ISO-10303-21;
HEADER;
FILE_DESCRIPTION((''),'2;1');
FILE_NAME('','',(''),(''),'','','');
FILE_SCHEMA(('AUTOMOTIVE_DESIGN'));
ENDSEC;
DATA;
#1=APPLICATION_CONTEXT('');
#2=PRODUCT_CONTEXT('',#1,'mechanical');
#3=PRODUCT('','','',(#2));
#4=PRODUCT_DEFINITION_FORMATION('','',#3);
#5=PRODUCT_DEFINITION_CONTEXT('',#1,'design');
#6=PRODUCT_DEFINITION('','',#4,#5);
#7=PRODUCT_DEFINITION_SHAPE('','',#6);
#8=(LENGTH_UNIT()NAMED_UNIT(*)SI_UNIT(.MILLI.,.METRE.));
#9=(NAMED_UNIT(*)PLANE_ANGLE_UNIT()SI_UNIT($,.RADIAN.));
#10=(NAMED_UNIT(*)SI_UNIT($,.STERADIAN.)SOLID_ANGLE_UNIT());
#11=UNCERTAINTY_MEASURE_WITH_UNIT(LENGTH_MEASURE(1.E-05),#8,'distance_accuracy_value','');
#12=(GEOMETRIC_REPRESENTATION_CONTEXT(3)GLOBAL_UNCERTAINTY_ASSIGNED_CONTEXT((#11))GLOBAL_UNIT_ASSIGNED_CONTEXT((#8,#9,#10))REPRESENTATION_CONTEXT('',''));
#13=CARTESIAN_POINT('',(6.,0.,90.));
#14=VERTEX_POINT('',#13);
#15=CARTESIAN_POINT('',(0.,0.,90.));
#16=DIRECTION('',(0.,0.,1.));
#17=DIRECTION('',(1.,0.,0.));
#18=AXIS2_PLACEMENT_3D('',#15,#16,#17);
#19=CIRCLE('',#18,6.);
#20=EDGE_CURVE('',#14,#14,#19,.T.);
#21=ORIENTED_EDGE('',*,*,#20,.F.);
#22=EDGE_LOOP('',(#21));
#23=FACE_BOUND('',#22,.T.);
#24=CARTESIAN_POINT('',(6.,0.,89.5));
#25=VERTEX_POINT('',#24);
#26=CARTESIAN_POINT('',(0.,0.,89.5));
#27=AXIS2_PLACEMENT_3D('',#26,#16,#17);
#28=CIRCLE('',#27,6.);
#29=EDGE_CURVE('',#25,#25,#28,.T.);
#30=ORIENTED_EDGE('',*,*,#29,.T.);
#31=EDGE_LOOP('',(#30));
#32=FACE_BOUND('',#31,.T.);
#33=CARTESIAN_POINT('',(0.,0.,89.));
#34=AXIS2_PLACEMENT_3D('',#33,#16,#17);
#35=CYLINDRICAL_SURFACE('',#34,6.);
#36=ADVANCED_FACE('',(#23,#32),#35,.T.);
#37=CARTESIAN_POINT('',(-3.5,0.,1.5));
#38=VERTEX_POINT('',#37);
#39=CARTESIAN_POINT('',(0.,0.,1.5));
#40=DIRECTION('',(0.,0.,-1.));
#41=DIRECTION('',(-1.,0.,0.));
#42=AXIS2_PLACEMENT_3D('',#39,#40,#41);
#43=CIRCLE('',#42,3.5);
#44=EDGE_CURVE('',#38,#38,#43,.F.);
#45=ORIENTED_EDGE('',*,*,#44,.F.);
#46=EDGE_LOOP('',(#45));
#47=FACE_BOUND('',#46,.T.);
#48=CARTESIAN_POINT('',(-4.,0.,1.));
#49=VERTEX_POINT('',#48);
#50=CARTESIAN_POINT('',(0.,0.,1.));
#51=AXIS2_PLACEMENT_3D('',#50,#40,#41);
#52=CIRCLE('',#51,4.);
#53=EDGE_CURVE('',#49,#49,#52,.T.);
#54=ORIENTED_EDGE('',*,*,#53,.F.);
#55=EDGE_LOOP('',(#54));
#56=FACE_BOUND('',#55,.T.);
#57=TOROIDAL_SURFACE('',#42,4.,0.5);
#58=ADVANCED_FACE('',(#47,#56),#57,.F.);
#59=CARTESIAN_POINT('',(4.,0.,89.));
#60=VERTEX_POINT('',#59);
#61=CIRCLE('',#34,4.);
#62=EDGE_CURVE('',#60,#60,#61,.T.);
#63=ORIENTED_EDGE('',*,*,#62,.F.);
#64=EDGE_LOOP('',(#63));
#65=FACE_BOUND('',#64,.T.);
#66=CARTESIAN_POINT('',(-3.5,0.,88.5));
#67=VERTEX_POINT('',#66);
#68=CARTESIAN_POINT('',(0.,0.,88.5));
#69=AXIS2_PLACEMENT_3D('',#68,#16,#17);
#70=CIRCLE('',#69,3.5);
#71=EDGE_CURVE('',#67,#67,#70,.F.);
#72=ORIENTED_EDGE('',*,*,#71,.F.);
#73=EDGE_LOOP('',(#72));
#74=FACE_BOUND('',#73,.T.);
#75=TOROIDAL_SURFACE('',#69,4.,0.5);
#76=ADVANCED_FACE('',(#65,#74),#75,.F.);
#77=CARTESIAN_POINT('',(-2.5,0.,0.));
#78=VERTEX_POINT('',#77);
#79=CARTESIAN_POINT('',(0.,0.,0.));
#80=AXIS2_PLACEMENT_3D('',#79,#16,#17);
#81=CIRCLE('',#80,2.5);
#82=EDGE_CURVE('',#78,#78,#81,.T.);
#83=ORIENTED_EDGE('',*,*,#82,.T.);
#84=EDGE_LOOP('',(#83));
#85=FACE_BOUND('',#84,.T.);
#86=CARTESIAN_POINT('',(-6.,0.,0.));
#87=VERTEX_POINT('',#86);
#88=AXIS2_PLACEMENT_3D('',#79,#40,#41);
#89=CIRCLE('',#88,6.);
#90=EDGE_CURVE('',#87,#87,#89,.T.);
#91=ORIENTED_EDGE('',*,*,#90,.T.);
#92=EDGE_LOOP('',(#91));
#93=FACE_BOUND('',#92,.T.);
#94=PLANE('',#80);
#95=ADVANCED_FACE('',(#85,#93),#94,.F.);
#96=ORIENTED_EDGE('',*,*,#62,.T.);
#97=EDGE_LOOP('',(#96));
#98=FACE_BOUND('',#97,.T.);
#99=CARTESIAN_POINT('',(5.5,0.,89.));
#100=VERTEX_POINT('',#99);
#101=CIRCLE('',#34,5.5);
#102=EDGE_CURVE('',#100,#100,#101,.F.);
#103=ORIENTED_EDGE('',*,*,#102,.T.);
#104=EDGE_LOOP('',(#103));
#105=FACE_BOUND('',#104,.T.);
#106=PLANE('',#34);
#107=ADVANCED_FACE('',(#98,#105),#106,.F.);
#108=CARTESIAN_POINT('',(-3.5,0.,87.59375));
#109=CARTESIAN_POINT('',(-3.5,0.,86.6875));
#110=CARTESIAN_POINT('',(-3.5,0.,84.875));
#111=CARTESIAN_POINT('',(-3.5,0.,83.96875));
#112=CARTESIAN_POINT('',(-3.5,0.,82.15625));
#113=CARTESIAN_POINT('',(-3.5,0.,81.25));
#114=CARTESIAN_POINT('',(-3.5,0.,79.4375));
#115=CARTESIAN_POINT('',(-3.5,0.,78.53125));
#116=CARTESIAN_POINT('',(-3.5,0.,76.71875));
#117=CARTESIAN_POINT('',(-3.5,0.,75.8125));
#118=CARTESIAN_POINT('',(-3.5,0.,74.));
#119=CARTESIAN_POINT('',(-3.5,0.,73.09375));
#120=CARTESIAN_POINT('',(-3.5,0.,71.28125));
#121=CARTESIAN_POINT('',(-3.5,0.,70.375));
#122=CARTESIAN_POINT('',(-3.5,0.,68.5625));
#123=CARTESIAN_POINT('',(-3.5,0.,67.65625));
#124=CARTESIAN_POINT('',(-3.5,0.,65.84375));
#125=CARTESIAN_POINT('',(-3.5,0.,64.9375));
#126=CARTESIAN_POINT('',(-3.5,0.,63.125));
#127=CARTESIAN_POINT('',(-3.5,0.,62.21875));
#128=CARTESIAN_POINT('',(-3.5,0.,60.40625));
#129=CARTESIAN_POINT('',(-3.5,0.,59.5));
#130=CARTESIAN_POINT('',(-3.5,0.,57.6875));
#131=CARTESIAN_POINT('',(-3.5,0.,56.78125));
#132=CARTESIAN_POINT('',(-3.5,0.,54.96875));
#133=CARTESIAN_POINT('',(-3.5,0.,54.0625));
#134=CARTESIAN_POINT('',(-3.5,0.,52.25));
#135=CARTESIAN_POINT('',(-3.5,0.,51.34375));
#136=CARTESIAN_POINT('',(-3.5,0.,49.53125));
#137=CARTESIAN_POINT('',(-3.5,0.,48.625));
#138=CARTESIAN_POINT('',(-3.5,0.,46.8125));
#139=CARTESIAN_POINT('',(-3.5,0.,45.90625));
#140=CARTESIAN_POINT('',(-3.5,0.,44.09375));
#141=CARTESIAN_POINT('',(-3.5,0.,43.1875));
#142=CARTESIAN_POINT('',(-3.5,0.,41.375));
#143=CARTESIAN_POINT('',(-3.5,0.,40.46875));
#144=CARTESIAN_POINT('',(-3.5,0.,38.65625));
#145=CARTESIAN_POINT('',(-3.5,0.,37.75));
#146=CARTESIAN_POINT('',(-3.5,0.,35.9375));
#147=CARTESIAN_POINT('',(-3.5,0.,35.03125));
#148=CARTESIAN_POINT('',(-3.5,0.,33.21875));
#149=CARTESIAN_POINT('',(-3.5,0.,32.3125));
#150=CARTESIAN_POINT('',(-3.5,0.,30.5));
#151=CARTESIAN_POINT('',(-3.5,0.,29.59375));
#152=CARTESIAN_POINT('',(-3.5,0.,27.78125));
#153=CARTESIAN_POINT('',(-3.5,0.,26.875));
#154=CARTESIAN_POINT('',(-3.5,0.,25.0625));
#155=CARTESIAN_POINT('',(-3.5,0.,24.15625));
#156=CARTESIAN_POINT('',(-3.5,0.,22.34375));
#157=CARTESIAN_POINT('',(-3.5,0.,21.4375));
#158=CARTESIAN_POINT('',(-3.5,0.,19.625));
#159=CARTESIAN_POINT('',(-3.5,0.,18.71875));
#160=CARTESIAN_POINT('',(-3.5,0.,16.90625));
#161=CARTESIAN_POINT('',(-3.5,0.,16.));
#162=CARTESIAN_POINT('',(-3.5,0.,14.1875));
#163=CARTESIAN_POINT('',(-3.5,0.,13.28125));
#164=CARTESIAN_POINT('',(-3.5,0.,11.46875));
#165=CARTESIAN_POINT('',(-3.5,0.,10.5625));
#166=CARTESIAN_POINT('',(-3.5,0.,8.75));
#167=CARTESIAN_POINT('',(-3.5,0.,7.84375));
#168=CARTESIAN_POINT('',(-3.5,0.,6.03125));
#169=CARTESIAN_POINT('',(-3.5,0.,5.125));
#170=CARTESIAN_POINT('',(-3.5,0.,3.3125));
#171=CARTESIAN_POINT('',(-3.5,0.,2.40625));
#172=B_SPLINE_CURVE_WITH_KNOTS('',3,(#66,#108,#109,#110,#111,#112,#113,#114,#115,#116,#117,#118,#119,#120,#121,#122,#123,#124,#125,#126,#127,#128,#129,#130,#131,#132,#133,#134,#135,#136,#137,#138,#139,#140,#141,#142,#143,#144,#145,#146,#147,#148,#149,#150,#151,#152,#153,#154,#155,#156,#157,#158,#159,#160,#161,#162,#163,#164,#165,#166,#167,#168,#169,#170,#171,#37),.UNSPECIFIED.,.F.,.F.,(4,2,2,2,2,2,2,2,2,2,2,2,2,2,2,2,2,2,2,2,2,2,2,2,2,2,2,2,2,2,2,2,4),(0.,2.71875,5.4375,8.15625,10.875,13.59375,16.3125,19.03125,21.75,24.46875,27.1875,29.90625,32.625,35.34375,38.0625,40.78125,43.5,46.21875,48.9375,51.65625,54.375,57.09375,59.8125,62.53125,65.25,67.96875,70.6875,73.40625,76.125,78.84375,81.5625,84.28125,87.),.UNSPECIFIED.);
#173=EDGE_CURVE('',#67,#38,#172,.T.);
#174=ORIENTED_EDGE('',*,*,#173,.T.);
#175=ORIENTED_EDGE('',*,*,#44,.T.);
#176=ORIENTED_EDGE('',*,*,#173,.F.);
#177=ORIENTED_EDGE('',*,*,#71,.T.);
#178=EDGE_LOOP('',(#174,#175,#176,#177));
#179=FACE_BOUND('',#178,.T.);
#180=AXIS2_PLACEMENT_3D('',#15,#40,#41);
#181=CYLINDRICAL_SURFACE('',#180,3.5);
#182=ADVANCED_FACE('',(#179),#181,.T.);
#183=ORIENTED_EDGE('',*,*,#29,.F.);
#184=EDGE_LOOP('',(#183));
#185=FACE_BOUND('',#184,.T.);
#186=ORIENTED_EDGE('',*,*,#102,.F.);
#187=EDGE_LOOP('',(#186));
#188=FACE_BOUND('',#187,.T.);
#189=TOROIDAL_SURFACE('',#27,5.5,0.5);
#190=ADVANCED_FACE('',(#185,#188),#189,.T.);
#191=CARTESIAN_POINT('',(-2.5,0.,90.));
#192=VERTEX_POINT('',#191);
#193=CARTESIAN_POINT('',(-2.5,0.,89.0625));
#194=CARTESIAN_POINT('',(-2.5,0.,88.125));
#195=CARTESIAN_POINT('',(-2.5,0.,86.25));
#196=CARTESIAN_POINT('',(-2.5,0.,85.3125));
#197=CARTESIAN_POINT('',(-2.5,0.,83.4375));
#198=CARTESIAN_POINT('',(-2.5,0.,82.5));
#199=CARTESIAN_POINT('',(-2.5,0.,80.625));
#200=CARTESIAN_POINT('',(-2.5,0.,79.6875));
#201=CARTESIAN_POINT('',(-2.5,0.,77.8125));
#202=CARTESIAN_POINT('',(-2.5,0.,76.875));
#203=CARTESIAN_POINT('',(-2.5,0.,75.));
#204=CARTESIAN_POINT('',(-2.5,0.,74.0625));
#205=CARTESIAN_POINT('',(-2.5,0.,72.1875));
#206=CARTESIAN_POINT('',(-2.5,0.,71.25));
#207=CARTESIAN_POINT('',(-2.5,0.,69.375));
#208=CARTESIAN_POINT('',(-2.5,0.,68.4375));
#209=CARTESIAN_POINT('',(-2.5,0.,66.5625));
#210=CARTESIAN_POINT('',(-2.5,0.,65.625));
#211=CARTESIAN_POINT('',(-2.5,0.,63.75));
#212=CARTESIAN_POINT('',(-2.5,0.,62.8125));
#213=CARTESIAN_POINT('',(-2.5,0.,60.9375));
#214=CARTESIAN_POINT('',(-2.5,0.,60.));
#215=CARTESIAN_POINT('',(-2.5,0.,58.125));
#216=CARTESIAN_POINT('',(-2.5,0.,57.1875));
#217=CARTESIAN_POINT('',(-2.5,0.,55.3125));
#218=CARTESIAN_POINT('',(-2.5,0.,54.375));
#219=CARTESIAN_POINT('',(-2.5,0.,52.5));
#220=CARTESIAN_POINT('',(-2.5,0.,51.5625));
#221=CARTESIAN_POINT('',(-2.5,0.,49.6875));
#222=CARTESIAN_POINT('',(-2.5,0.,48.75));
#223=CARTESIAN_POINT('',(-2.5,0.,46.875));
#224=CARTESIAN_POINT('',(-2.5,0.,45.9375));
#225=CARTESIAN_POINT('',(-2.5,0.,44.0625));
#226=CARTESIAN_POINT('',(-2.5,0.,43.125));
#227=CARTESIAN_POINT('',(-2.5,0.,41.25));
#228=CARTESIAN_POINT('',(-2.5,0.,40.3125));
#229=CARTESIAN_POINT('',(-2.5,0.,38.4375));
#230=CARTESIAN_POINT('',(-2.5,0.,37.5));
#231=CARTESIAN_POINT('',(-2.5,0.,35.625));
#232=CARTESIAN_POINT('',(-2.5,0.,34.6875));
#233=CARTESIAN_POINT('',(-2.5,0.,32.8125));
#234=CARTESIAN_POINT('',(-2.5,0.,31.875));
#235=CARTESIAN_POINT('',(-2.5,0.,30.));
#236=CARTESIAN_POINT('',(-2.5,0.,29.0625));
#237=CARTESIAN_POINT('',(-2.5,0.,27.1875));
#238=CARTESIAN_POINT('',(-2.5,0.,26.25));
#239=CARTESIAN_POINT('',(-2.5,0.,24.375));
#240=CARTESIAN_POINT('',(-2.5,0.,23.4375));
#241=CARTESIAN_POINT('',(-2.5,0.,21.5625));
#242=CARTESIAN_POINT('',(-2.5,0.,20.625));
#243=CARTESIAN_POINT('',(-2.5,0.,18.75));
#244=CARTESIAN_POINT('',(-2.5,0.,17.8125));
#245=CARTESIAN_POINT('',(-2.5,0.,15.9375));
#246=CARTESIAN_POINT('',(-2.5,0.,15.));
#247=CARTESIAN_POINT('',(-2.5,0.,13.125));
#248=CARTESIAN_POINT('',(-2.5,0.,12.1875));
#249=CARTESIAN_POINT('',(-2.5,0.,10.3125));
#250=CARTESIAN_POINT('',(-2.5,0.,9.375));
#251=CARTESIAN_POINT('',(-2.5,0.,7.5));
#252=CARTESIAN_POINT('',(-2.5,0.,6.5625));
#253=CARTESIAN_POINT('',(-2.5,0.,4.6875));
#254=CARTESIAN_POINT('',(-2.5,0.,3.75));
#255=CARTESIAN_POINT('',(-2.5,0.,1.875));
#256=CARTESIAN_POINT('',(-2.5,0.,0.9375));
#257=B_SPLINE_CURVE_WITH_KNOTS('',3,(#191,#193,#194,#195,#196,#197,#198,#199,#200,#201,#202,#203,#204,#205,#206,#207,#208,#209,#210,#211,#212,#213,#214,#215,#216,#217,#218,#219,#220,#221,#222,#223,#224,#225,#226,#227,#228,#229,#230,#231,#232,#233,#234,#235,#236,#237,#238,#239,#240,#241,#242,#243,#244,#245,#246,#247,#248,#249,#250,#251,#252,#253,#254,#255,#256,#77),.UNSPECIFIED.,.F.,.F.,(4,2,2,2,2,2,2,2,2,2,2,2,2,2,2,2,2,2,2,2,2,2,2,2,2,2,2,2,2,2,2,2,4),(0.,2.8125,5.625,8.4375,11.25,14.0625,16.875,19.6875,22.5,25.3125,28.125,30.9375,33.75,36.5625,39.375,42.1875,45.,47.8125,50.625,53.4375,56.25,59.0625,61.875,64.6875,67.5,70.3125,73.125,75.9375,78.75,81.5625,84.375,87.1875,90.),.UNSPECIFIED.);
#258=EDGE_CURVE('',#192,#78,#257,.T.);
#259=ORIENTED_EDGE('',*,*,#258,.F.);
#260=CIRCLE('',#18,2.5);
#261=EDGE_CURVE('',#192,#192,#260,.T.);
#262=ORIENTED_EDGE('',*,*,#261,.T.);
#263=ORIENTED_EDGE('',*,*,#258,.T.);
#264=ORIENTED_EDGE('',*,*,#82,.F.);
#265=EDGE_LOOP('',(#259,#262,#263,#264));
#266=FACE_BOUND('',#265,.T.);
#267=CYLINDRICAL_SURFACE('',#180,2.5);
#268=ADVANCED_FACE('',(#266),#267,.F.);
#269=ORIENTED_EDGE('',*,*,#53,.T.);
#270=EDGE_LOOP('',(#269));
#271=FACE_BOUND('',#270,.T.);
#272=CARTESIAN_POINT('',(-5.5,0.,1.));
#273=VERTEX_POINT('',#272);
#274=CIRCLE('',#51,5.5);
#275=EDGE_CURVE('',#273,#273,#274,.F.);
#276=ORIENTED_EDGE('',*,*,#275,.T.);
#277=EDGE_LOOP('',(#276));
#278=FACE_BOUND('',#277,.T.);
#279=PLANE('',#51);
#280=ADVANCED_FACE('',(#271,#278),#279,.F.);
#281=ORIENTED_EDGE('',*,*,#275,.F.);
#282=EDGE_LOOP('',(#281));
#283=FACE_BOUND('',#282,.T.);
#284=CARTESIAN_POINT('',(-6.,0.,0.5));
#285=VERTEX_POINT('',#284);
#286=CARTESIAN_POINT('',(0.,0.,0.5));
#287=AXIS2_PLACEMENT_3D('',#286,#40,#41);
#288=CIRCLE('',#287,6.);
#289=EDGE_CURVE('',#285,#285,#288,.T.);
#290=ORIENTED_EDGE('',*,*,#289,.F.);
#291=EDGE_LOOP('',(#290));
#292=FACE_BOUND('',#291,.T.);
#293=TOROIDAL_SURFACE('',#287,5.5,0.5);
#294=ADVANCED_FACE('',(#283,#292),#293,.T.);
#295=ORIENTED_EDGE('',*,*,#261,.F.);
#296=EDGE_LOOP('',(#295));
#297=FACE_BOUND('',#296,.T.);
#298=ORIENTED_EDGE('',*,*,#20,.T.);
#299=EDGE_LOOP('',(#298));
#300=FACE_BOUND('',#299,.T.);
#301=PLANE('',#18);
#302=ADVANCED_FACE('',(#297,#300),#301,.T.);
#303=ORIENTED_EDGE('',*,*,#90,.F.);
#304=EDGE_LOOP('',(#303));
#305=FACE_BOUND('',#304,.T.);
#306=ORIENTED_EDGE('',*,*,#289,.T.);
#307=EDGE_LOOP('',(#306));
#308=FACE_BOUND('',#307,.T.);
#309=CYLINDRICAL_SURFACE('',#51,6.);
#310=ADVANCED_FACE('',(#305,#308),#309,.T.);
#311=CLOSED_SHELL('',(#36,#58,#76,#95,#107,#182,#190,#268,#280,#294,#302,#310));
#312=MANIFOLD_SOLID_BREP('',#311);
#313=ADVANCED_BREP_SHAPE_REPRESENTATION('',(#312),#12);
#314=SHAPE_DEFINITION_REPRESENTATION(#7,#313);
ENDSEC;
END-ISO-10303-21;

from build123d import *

# Parameters (mm, degrees)
SKETCH_1_R      = 3.5
SKETCH_1_R_2    = 2.5
EXTRUDE_1_DEPTH = 90
SKETCH_2_R      = 6
SKETCH_2_R_2    = 2.5
EXTRUDE_2_DEPTH = 1
EXTRUDE_START   = -1
SKETCH_3_R      = 6
SKETCH_3_R_2    = 2.5
EXTRUDE_3_DEPTH = 1
FILLET_1_R      = 0.5


with BuildPart() as part:
    # 草图1 → 凸台-拉伸1 (new body)
    with BuildSketch(Plane.XY):
        with Locations(Location((0, 0, 0), (0, 0, 180))):
            Circle(SKETCH_1_R)
        with Locations(Location((0, 0, 0), (0, 0, 180))):
            Circle(SKETCH_1_R_2, mode=Mode.SUBTRACT)
    extrude(amount=EXTRUDE_1_DEPTH)

    # 草图2 → 凸台-拉伸2 (add)
    with BuildSketch(Plane(origin=(0, 0, 0), x_dir=(-1, 0, 0), z_dir=(0, 0, -1))):
        Circle(SKETCH_2_R)
        Circle(SKETCH_2_R_2, mode=Mode.SUBTRACT)
    extrude(amount=-EXTRUDE_2_DEPTH)

    # 草图3 → 凸台-拉伸3 (add)
    with BuildSketch(Plane.XY.offset(90).offset(EXTRUDE_START)):
        with Locations(Location((0, 0, 0), (0, 0, 180))):
            Circle(SKETCH_3_R)
        with Locations(Location((0, 0, 0), (0, 0, 180))):
            Circle(SKETCH_3_R_2, mode=Mode.SUBTRACT)
    extrude(amount=EXTRUDE_3_DEPTH)

    # 圆角1
    fillet_1_edges = [part.edges().sort_by_distance(p)[0] for p in [
        (3.5, 0, 1),
        (6, 0, 1),
        (3.5, 0, 89),
        (6, 0, 89),
    ]]
    fillet(fillet_1_edges, radius=FILLET_1_R)


solid = part.part
